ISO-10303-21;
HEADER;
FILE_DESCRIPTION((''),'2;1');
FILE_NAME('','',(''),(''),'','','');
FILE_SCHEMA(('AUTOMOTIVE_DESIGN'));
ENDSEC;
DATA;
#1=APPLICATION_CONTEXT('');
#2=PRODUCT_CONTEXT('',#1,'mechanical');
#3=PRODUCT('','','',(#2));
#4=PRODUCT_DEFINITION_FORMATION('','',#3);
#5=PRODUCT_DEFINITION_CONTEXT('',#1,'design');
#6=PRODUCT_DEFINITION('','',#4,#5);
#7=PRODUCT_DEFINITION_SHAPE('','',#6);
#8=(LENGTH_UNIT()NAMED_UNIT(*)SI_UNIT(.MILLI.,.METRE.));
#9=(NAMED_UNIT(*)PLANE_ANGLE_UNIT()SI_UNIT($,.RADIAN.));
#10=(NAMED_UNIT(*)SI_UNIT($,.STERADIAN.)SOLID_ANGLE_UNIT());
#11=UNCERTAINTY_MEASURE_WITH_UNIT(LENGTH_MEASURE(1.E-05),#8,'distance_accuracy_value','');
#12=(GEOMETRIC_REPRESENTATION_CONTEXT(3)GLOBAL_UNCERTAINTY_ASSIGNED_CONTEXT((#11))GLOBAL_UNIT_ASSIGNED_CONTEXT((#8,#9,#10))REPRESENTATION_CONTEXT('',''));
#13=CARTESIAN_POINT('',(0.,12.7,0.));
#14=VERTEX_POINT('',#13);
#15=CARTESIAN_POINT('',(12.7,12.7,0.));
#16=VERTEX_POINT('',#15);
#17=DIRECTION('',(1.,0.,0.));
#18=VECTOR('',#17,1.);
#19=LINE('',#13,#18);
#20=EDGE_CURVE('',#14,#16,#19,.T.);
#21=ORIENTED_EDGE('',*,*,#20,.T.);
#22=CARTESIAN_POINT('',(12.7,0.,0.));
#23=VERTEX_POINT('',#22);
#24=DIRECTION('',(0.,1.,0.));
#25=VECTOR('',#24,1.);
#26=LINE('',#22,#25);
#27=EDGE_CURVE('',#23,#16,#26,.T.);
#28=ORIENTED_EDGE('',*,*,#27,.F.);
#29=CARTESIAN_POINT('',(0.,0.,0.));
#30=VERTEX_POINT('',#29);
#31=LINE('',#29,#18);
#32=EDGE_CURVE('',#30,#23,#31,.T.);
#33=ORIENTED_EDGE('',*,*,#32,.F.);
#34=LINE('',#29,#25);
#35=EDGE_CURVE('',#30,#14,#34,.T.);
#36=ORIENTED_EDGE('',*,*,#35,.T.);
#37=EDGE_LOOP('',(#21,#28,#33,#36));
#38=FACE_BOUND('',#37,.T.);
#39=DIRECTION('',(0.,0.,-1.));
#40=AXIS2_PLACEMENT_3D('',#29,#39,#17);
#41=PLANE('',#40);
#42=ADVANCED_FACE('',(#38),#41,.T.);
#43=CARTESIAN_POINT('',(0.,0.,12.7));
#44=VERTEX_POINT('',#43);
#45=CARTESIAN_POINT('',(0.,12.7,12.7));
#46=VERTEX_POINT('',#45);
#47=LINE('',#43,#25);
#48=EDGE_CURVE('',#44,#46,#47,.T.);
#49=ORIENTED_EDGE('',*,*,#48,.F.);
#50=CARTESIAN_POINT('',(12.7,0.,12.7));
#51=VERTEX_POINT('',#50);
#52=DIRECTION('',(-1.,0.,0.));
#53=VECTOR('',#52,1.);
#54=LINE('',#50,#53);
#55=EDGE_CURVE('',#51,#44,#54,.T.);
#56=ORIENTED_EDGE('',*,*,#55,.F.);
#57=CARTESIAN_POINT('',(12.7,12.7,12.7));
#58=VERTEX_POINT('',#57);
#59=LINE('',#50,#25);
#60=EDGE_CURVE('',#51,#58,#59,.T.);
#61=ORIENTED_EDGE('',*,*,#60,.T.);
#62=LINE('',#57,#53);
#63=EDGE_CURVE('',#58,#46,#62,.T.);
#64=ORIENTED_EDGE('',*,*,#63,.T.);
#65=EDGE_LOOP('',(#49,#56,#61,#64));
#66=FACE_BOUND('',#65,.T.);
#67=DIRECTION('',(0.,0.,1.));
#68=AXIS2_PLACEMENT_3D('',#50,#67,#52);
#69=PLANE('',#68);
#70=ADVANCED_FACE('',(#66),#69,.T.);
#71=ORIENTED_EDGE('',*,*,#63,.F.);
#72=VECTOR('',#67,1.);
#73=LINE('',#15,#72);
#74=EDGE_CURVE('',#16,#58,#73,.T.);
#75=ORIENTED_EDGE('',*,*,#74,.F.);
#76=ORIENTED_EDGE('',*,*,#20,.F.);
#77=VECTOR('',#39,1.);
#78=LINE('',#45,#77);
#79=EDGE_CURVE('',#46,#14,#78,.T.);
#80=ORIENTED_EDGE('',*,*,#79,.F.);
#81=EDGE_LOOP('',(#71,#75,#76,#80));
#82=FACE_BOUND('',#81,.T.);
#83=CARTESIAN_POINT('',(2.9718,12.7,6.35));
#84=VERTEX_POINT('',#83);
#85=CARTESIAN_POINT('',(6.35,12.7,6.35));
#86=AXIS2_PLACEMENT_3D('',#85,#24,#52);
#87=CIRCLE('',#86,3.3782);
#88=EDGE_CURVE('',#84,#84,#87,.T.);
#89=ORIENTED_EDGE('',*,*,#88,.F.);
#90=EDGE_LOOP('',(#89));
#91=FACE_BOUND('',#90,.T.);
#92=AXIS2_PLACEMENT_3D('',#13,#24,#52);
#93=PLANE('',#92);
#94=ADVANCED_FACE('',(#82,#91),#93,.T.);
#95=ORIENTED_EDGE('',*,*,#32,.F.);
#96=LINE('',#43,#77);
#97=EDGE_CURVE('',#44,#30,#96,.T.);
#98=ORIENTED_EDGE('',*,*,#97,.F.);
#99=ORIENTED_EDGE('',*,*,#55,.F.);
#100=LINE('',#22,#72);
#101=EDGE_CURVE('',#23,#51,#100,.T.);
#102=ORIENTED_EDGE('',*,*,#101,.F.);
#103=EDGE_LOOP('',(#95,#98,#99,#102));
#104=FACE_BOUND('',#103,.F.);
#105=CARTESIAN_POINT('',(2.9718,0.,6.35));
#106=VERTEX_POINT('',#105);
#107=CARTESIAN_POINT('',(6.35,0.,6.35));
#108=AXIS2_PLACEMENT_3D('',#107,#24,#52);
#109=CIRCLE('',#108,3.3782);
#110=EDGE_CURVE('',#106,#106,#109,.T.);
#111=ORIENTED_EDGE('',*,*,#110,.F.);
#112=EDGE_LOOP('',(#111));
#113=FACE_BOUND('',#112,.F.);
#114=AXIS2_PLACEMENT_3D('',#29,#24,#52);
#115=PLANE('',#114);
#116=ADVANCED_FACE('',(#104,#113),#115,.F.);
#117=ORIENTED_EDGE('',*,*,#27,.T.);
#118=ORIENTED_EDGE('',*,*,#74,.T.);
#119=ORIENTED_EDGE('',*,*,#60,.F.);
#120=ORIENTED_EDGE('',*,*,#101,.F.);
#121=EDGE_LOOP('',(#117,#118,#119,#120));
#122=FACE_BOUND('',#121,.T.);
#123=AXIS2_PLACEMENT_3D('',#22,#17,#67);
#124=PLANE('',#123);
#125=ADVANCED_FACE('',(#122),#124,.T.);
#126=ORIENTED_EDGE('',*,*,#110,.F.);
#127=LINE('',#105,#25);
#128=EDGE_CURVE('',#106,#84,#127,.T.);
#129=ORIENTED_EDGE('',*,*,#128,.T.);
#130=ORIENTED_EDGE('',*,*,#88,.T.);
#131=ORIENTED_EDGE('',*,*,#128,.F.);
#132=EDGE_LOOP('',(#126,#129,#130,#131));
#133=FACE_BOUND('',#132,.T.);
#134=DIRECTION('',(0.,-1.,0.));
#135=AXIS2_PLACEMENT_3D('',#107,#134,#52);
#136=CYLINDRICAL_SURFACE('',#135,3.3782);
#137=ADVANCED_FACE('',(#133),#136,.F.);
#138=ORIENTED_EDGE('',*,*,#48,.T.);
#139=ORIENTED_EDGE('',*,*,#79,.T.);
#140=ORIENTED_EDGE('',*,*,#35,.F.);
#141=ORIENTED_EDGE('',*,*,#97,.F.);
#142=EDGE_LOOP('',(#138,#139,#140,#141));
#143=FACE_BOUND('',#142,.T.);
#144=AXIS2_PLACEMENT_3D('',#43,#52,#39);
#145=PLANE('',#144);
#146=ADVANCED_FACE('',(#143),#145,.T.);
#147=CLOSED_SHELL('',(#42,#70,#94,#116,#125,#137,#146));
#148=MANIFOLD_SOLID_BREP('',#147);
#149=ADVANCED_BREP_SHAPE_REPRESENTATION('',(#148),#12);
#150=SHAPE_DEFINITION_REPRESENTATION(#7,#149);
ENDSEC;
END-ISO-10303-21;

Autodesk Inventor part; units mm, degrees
ref_plane "YZ Plane" through (0, 0, 0) normal (1, 0, 0) x (0, 1, 0)
ref_plane "XZ Plane" through (0, 0, 0) normal (0, 1, 0) x (-1, 0, 0)
ref_plane "XY Plane" through (0, 0, 0) normal (0, 0, 1) x (1, 0, 0)
sketch "Sketch1" plane through (0, 0, 0) normal (0, 1, 0) x (-1, 0, 0)
  line L0 (0, 0) -> (-12.7, 0)
  line L1 (-12.7, 0) -> (-12.7, 12.7)
  line L2 (-12.7, 12.7) -> (0, 12.7)
  line L3 (0, 12.7) -> (0, 0)
  circle A0 centre (-6.35, 6.35) radius 3.3782
  dimension "d0" = 12.7
  dimension "d2" = 12.7
  dimension "d3" = 6.7564
extrude "Extrusion1" add sketch "Sketch1" along normal blind 12.7
properties part number "Spacer Rube" material "Polycarbonate, Clear"
